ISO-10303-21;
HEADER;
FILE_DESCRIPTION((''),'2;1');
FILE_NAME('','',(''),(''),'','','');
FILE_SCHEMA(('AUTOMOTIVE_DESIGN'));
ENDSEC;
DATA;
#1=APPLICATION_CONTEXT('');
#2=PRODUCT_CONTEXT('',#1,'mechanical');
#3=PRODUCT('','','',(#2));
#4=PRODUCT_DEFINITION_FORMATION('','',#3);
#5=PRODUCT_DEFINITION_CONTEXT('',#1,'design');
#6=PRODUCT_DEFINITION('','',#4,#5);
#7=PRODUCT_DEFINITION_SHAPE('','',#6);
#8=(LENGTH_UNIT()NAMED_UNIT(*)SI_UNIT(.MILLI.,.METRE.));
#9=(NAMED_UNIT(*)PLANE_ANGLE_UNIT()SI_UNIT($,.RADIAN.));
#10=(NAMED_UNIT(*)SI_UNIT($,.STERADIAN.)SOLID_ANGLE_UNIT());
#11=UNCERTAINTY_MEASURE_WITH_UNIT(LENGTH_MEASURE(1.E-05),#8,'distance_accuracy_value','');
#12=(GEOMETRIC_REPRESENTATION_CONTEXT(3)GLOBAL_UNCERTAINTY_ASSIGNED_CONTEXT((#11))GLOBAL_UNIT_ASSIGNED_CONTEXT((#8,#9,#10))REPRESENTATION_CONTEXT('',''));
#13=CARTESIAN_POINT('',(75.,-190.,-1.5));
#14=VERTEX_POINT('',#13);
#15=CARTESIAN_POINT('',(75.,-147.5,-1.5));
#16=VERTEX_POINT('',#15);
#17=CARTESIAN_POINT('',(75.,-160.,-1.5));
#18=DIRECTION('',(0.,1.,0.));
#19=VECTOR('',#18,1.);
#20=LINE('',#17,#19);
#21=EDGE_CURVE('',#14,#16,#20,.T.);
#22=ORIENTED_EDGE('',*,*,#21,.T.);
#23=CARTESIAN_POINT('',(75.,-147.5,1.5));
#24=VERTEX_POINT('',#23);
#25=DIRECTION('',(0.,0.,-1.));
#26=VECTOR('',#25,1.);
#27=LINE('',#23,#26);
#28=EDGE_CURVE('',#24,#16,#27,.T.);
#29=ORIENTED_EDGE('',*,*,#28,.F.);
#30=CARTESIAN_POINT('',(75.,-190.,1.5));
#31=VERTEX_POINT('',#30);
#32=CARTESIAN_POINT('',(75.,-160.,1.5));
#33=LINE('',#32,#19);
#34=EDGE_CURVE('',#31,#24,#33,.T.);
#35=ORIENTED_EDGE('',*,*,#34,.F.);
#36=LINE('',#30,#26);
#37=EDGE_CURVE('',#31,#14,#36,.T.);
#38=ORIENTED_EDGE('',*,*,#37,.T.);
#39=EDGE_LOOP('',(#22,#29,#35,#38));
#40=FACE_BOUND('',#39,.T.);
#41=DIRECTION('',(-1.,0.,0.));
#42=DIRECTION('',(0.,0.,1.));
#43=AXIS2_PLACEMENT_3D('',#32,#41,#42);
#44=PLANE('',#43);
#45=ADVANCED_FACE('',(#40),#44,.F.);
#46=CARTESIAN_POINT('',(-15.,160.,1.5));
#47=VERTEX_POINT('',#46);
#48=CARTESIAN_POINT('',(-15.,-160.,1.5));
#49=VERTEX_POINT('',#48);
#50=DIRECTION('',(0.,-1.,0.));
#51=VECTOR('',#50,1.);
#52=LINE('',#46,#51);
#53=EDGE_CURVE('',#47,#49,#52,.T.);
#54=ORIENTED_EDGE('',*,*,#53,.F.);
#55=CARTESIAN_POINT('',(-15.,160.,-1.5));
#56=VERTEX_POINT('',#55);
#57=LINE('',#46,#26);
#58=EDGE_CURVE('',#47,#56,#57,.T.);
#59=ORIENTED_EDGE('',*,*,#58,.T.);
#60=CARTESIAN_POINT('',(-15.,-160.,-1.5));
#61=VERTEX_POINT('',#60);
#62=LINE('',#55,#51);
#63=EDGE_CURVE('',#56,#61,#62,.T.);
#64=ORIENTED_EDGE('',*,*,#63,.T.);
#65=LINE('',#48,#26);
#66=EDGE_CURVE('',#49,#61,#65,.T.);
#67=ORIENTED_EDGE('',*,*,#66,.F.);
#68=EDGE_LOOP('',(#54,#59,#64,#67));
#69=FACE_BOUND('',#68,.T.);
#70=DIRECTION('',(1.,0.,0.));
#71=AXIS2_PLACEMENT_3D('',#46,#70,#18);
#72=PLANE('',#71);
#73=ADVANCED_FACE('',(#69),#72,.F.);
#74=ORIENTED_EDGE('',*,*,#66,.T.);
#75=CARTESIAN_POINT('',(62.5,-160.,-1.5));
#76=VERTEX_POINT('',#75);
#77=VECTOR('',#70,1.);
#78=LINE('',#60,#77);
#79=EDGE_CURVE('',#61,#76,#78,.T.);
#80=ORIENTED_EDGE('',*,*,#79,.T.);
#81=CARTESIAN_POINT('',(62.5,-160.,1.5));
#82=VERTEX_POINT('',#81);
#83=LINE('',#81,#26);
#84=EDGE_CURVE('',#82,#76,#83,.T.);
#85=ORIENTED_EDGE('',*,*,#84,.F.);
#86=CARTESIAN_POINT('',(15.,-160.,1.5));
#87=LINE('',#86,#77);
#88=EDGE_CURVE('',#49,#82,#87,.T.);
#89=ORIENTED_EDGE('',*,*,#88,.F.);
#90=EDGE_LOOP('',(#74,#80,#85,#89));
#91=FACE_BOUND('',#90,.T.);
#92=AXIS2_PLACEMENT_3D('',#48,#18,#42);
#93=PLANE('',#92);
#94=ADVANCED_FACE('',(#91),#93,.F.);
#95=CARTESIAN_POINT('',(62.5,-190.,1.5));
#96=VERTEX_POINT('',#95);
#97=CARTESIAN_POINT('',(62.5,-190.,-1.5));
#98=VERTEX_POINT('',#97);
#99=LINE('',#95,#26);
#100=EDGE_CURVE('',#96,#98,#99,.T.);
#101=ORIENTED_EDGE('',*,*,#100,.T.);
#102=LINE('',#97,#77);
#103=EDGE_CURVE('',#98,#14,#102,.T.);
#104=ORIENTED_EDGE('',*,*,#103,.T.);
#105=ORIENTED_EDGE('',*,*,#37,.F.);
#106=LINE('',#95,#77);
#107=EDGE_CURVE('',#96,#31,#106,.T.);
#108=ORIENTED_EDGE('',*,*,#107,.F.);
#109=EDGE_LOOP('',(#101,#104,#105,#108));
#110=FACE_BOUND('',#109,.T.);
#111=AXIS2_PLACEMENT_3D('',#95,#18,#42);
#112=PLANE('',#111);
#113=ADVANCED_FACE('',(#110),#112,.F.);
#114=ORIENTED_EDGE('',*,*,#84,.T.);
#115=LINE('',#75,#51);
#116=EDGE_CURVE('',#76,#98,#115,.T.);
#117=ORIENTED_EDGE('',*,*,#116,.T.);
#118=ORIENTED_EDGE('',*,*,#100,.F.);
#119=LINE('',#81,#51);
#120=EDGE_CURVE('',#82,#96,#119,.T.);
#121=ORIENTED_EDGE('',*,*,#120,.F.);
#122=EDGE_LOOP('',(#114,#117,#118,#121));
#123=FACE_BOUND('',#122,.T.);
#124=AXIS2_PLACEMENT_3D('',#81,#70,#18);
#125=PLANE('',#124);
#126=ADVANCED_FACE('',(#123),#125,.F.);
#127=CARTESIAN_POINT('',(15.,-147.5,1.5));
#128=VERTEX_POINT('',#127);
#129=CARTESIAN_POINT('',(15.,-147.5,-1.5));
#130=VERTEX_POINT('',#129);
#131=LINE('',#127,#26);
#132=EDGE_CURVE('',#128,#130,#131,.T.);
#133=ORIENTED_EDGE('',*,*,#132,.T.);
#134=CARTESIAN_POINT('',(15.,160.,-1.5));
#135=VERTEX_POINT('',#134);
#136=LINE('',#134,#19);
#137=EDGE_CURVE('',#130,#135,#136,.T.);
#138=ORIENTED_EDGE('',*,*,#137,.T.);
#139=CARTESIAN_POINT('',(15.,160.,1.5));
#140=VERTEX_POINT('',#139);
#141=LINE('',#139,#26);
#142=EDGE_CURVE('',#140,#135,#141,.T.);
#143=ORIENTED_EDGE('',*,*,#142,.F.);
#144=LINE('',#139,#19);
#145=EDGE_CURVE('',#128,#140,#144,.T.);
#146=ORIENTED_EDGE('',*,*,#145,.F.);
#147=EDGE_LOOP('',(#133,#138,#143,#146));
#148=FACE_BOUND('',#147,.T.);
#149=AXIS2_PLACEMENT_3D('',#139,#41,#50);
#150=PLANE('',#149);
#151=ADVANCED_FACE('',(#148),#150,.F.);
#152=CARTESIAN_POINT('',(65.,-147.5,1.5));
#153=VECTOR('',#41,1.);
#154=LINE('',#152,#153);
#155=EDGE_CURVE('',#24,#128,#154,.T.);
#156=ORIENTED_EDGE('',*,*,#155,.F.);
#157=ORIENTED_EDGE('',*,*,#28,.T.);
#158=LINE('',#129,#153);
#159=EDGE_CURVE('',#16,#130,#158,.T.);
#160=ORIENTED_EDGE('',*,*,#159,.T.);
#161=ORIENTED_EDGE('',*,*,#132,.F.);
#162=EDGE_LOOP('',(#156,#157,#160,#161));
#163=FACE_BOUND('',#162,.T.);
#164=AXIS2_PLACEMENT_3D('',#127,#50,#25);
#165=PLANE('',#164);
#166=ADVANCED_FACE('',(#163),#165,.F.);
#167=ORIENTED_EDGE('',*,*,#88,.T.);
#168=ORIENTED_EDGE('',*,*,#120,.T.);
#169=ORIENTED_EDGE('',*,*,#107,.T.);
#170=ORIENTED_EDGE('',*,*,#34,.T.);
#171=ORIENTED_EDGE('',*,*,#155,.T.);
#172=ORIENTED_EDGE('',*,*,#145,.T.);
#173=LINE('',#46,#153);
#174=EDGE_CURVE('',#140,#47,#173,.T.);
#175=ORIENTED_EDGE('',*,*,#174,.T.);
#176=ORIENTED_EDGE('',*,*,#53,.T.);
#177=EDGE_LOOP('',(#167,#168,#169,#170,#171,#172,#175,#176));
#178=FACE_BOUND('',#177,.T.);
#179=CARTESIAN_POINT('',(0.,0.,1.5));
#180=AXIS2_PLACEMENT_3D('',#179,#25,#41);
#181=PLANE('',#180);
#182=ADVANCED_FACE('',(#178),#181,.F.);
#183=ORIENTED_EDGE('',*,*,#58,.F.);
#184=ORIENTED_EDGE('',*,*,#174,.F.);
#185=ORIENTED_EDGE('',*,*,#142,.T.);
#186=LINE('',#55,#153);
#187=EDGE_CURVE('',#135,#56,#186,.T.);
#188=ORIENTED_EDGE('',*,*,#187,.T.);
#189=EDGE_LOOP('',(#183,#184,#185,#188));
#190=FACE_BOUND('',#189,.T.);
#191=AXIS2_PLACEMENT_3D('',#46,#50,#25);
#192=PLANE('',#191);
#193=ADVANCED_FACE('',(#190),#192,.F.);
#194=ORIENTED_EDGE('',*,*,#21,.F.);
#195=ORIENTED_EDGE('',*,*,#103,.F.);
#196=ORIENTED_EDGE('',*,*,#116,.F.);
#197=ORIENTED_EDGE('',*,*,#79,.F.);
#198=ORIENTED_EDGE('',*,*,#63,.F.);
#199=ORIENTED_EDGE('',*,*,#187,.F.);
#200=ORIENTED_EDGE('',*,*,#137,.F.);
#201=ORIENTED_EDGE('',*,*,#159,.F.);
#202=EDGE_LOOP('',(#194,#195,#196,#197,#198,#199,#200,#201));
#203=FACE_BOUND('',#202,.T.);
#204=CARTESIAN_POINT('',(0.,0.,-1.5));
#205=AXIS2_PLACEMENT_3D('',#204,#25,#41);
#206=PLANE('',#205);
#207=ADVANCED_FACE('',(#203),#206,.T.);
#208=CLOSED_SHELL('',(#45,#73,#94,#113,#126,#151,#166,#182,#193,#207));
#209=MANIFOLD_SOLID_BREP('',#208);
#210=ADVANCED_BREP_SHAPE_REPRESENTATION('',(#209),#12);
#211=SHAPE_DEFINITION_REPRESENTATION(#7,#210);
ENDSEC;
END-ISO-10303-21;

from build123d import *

# Parameters (mm, degrees)
BOSS_EXTRUDE1_DEPTH = 1.5


with BuildPart() as part:
    # Sketch1 → Boss-Extrude1 (new body, symmetric)
    with BuildSketch(Plane.XY):
        Polygon((65, -147.5), (75, -147.5), (75, -160), (75, -190), (62.5, -190), (62.5, -160), (15, -160), (-15, -160), (-15, 160), (15, 160), (15, -147.5), align=None)
    extrude(amount=BOSS_EXTRUDE1_DEPTH, both=True)


solid = part.part
